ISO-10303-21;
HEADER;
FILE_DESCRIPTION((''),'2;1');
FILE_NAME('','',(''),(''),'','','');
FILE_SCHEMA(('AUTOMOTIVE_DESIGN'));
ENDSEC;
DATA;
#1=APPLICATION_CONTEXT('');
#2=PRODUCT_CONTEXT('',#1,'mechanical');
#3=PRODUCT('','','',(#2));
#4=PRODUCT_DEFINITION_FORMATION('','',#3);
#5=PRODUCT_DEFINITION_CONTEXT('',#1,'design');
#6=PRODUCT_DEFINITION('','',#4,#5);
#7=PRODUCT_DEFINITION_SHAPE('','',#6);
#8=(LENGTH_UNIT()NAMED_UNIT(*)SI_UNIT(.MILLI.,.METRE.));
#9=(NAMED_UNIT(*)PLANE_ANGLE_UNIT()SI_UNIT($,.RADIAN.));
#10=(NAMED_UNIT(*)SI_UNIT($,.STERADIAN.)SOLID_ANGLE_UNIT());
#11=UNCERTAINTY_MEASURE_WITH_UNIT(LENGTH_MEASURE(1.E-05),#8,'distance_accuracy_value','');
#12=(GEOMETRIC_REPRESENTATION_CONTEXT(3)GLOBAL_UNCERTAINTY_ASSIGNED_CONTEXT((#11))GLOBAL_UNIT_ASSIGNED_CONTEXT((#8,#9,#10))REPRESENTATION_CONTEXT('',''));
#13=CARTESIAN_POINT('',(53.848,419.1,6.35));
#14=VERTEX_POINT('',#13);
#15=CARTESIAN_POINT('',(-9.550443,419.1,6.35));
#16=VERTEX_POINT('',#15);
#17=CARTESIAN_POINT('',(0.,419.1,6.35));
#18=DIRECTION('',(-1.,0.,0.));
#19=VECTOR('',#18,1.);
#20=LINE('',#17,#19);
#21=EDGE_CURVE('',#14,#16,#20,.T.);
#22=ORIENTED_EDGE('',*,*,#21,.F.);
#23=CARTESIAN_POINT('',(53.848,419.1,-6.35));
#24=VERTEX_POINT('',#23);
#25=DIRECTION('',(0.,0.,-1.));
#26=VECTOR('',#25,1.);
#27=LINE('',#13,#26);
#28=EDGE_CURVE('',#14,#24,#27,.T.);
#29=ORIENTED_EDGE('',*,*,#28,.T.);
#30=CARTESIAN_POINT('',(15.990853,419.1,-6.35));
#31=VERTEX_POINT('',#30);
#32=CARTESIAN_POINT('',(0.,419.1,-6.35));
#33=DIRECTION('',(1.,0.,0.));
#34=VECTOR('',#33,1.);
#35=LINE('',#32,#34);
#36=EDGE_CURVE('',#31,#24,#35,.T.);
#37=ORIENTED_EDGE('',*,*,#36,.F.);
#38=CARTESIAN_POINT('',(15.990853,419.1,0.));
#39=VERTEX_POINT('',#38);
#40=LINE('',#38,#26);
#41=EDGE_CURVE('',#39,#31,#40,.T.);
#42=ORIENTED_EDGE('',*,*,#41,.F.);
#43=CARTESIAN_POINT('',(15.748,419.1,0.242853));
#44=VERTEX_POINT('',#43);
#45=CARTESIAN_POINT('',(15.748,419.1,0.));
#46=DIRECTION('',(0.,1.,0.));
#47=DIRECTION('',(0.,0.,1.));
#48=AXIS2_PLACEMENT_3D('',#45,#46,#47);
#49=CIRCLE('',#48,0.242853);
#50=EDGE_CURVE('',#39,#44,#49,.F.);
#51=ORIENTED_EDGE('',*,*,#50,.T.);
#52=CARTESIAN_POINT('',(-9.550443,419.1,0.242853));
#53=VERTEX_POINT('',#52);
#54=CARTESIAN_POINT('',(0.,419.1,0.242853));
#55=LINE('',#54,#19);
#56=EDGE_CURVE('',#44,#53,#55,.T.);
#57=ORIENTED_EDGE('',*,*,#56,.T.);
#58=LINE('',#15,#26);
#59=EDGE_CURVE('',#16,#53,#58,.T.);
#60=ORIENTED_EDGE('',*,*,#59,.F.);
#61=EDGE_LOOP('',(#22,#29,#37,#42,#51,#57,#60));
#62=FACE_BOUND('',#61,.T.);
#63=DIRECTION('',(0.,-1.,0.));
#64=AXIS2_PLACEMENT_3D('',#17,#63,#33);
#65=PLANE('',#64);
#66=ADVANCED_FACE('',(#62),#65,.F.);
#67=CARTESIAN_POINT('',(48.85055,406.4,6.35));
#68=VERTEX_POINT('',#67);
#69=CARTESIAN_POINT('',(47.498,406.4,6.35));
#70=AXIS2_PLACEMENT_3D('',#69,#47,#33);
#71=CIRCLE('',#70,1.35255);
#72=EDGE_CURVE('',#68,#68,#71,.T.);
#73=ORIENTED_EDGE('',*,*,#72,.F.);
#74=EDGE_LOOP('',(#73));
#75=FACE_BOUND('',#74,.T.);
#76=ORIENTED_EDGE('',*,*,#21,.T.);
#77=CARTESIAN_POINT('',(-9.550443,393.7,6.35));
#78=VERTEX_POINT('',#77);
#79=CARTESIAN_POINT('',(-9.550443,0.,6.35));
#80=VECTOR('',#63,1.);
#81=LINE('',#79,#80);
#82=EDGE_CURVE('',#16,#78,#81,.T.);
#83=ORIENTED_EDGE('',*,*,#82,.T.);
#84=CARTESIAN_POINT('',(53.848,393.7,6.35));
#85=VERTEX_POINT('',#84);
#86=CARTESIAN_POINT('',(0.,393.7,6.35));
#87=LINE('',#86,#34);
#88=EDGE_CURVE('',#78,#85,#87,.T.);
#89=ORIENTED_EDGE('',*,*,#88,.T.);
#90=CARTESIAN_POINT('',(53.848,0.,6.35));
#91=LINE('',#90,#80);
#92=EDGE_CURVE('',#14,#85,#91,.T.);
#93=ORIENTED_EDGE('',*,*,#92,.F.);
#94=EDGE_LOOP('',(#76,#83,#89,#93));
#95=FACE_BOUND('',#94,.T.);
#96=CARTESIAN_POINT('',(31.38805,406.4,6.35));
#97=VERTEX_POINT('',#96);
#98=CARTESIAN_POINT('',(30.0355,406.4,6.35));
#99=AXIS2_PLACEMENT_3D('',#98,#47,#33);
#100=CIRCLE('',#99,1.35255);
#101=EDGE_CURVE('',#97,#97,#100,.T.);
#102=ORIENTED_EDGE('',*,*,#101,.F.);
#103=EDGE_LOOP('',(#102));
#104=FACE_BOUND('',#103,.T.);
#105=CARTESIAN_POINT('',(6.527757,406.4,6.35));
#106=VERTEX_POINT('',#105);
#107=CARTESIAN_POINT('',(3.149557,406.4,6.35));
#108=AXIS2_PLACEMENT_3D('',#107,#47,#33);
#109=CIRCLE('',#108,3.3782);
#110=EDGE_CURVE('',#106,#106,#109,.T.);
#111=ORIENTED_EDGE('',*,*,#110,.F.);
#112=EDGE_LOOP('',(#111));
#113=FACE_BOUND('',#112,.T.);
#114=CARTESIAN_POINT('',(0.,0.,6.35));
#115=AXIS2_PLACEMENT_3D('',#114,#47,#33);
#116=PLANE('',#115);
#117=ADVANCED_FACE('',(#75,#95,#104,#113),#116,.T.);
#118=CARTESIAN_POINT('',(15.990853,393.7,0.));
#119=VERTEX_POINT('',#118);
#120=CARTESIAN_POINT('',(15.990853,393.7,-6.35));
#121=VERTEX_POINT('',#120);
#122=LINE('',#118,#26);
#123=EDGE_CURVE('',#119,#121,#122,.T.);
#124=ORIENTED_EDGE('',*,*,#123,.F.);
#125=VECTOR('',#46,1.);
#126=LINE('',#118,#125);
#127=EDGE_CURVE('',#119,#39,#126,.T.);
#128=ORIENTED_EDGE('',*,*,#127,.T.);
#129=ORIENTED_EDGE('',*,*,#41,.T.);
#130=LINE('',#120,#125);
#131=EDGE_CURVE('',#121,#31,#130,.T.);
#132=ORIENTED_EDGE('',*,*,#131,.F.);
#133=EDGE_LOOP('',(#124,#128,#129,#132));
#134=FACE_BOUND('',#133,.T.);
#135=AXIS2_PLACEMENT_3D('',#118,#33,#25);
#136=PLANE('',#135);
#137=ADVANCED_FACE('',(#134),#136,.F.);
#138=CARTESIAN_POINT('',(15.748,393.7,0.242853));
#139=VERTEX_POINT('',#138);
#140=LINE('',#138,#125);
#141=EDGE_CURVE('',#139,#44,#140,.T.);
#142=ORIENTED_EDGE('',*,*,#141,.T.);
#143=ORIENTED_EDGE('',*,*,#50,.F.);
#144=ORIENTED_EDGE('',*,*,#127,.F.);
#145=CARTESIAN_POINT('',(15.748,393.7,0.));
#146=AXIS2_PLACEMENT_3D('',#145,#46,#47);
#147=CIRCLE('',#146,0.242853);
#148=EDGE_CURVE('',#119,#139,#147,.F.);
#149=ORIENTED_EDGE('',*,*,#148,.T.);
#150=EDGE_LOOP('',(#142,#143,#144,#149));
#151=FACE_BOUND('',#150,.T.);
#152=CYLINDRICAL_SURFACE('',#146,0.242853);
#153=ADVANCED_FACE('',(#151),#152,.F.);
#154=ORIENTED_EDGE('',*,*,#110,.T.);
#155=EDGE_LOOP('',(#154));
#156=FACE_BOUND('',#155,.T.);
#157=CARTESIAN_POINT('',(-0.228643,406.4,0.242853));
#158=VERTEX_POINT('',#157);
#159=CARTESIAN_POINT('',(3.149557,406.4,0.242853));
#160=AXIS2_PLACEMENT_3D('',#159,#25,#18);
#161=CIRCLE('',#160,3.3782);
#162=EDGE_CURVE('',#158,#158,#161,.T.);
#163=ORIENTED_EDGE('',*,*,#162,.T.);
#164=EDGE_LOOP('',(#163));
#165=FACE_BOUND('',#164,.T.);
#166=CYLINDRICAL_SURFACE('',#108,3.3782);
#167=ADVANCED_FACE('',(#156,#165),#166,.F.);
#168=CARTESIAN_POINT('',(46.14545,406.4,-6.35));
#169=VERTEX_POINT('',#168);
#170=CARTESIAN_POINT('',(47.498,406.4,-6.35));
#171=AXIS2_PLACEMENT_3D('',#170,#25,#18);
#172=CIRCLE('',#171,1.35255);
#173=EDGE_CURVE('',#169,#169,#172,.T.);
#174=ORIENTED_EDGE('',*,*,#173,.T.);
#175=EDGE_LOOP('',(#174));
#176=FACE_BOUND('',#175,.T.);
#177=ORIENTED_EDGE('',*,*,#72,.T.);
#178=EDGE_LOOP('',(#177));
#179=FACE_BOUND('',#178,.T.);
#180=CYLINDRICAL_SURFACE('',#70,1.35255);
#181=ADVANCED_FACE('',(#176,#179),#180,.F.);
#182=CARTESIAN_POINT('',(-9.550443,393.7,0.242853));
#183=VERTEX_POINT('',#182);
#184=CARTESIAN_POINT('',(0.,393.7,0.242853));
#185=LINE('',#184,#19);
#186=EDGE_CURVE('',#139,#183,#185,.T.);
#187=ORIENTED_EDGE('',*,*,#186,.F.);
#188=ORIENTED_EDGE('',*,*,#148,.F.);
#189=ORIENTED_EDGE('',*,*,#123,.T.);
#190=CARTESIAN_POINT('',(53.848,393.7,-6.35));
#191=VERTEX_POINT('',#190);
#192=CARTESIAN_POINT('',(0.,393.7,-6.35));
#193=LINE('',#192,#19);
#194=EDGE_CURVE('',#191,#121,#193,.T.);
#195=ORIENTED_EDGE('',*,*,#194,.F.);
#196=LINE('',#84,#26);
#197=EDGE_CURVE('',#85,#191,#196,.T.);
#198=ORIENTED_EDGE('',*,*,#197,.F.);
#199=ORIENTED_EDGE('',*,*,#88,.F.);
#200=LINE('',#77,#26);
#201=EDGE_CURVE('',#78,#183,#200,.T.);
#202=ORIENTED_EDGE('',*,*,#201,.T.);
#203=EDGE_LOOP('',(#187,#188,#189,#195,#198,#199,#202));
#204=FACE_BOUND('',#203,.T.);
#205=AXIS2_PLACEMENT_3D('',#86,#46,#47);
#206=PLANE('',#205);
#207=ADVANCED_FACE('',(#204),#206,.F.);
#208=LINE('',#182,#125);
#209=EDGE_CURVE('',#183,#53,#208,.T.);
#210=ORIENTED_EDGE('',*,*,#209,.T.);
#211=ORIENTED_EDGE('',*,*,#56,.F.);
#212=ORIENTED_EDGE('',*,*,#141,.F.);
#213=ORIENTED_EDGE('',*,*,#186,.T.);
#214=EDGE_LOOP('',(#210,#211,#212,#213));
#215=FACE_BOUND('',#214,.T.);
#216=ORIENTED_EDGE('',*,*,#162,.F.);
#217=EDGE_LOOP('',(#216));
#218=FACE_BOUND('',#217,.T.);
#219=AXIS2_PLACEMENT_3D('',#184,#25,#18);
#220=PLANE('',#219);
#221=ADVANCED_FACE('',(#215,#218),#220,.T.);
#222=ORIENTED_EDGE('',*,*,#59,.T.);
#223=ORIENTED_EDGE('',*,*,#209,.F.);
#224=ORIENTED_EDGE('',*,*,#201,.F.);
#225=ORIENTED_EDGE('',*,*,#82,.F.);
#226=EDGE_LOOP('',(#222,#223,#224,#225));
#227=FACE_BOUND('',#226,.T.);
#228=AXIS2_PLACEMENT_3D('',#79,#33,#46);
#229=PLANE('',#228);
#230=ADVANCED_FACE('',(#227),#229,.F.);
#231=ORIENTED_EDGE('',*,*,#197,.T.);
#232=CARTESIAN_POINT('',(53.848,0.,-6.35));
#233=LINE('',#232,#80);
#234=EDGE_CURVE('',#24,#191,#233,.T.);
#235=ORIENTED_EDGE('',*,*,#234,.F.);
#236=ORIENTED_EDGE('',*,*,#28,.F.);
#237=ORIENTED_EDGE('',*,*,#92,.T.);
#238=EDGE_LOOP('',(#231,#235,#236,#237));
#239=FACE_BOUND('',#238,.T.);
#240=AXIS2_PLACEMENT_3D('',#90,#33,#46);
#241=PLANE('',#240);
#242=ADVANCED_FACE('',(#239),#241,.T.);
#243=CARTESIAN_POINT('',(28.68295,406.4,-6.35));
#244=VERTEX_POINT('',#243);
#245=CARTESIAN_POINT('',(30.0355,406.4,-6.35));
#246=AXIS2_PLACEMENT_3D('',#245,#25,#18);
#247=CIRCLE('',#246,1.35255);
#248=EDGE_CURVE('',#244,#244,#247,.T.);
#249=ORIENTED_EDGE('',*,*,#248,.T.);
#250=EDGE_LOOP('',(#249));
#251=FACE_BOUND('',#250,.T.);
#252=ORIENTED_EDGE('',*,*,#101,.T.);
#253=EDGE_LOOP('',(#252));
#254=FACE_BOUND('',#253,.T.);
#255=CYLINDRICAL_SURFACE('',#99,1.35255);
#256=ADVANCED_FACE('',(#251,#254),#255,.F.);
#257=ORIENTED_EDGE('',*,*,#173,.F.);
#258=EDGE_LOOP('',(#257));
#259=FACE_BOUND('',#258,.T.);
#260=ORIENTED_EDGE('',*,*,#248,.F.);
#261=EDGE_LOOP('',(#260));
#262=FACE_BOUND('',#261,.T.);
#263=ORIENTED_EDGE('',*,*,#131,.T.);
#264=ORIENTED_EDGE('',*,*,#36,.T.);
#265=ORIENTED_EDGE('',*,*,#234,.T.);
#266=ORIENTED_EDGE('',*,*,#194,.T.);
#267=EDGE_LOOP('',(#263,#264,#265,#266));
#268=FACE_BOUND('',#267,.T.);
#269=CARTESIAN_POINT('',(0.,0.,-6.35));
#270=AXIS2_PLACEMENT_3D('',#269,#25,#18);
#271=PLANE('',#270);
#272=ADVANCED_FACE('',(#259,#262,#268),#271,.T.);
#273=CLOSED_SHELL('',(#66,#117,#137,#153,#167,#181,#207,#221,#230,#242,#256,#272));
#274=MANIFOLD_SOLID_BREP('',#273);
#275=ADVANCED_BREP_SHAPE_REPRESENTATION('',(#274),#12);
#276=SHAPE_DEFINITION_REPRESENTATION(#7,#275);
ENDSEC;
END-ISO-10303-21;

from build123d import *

# Parameters (mm, degrees)
SKETCH1_W                 = 63.398443118
SKETCH1_H                 = 25.4
BOSS_EXTRUDE1_DEPTH       = 6.35
SKETCH2_W                 = 38.1
SKETCH2_H                 = 25.4
BOSS_EXTRUDE2_DEPTH       = 6.35
CUT_EXTRUDE3_DEPTH        = 60.875617776
TAP_DRILL_FOR_6_32_TAP1_D = 2.7051
F_1_4_CLEARANCE_HOLE1_D   = 6.7564


with BuildPart() as part:
    # Sketch1 → Boss-Extrude1 (new body)
    with BuildSketch(Plane.XY):
        with Locations((22.148778441, 406.4)):
            Rectangle(SKETCH1_W, SKETCH1_H)
    extrude(amount=BOSS_EXTRUDE1_DEPTH)

    # Sketch2 → Boss-Extrude2 (add)
    with BuildSketch(Plane(origin=(0, 0, 0), x_dir=(-1, 0, 0), z_dir=(0, 0, -1))):
        with Locations((-34.798, 406.4)):
            Rectangle(SKETCH2_W, SKETCH2_H)
    extrude(amount=BOSS_EXTRUDE2_DEPTH)

    # Sketch7 → Cut-Extrude3 (cut, through all)
    with BuildSketch(Plane(origin=(0, 419.1, 0), x_dir=(1, 0, 0), z_dir=(0, 1, 0))):
        with BuildLine():
            Line((-9.550443118, -0.242852773), (15.748, -0.242852773))
            ThreePointArc((15.748, -0.242852773), (15.919722843, -0.171722843), (15.990852773, 0))
            Line((15.990852773, 0), (15.990852773, 6.35))
            Line((15.990852773, 6.35), (15.748, 6.35))
            Line((15.748, 6.35), (15.748, 0))
            Line((15.748, 0), (-9.550443118, 0))
            Line((-9.550443118, 0), (-9.550443118, -0.242852773))
        make_face()
    extrude(amount=-CUT_EXTRUDE3_DEPTH, mode=Mode.SUBTRACT)

    # Tap Drill for #6-32 Tap1 (through all)
    with Locations(Plane.XY.offset(6.35)):
        with Locations((47.498, 406.4), (30.0355, 406.4)):
            Hole(TAP_DRILL_FOR_6_32_TAP1_D / 2)

    # 1/4 Clearance Hole1 (through all)
    with Locations(Plane.XY.offset(6.35)):
        with Locations((3.149556882, 406.4)):
            Hole(F_1_4_CLEARANCE_HOLE1_D / 2)


solid = part.part
